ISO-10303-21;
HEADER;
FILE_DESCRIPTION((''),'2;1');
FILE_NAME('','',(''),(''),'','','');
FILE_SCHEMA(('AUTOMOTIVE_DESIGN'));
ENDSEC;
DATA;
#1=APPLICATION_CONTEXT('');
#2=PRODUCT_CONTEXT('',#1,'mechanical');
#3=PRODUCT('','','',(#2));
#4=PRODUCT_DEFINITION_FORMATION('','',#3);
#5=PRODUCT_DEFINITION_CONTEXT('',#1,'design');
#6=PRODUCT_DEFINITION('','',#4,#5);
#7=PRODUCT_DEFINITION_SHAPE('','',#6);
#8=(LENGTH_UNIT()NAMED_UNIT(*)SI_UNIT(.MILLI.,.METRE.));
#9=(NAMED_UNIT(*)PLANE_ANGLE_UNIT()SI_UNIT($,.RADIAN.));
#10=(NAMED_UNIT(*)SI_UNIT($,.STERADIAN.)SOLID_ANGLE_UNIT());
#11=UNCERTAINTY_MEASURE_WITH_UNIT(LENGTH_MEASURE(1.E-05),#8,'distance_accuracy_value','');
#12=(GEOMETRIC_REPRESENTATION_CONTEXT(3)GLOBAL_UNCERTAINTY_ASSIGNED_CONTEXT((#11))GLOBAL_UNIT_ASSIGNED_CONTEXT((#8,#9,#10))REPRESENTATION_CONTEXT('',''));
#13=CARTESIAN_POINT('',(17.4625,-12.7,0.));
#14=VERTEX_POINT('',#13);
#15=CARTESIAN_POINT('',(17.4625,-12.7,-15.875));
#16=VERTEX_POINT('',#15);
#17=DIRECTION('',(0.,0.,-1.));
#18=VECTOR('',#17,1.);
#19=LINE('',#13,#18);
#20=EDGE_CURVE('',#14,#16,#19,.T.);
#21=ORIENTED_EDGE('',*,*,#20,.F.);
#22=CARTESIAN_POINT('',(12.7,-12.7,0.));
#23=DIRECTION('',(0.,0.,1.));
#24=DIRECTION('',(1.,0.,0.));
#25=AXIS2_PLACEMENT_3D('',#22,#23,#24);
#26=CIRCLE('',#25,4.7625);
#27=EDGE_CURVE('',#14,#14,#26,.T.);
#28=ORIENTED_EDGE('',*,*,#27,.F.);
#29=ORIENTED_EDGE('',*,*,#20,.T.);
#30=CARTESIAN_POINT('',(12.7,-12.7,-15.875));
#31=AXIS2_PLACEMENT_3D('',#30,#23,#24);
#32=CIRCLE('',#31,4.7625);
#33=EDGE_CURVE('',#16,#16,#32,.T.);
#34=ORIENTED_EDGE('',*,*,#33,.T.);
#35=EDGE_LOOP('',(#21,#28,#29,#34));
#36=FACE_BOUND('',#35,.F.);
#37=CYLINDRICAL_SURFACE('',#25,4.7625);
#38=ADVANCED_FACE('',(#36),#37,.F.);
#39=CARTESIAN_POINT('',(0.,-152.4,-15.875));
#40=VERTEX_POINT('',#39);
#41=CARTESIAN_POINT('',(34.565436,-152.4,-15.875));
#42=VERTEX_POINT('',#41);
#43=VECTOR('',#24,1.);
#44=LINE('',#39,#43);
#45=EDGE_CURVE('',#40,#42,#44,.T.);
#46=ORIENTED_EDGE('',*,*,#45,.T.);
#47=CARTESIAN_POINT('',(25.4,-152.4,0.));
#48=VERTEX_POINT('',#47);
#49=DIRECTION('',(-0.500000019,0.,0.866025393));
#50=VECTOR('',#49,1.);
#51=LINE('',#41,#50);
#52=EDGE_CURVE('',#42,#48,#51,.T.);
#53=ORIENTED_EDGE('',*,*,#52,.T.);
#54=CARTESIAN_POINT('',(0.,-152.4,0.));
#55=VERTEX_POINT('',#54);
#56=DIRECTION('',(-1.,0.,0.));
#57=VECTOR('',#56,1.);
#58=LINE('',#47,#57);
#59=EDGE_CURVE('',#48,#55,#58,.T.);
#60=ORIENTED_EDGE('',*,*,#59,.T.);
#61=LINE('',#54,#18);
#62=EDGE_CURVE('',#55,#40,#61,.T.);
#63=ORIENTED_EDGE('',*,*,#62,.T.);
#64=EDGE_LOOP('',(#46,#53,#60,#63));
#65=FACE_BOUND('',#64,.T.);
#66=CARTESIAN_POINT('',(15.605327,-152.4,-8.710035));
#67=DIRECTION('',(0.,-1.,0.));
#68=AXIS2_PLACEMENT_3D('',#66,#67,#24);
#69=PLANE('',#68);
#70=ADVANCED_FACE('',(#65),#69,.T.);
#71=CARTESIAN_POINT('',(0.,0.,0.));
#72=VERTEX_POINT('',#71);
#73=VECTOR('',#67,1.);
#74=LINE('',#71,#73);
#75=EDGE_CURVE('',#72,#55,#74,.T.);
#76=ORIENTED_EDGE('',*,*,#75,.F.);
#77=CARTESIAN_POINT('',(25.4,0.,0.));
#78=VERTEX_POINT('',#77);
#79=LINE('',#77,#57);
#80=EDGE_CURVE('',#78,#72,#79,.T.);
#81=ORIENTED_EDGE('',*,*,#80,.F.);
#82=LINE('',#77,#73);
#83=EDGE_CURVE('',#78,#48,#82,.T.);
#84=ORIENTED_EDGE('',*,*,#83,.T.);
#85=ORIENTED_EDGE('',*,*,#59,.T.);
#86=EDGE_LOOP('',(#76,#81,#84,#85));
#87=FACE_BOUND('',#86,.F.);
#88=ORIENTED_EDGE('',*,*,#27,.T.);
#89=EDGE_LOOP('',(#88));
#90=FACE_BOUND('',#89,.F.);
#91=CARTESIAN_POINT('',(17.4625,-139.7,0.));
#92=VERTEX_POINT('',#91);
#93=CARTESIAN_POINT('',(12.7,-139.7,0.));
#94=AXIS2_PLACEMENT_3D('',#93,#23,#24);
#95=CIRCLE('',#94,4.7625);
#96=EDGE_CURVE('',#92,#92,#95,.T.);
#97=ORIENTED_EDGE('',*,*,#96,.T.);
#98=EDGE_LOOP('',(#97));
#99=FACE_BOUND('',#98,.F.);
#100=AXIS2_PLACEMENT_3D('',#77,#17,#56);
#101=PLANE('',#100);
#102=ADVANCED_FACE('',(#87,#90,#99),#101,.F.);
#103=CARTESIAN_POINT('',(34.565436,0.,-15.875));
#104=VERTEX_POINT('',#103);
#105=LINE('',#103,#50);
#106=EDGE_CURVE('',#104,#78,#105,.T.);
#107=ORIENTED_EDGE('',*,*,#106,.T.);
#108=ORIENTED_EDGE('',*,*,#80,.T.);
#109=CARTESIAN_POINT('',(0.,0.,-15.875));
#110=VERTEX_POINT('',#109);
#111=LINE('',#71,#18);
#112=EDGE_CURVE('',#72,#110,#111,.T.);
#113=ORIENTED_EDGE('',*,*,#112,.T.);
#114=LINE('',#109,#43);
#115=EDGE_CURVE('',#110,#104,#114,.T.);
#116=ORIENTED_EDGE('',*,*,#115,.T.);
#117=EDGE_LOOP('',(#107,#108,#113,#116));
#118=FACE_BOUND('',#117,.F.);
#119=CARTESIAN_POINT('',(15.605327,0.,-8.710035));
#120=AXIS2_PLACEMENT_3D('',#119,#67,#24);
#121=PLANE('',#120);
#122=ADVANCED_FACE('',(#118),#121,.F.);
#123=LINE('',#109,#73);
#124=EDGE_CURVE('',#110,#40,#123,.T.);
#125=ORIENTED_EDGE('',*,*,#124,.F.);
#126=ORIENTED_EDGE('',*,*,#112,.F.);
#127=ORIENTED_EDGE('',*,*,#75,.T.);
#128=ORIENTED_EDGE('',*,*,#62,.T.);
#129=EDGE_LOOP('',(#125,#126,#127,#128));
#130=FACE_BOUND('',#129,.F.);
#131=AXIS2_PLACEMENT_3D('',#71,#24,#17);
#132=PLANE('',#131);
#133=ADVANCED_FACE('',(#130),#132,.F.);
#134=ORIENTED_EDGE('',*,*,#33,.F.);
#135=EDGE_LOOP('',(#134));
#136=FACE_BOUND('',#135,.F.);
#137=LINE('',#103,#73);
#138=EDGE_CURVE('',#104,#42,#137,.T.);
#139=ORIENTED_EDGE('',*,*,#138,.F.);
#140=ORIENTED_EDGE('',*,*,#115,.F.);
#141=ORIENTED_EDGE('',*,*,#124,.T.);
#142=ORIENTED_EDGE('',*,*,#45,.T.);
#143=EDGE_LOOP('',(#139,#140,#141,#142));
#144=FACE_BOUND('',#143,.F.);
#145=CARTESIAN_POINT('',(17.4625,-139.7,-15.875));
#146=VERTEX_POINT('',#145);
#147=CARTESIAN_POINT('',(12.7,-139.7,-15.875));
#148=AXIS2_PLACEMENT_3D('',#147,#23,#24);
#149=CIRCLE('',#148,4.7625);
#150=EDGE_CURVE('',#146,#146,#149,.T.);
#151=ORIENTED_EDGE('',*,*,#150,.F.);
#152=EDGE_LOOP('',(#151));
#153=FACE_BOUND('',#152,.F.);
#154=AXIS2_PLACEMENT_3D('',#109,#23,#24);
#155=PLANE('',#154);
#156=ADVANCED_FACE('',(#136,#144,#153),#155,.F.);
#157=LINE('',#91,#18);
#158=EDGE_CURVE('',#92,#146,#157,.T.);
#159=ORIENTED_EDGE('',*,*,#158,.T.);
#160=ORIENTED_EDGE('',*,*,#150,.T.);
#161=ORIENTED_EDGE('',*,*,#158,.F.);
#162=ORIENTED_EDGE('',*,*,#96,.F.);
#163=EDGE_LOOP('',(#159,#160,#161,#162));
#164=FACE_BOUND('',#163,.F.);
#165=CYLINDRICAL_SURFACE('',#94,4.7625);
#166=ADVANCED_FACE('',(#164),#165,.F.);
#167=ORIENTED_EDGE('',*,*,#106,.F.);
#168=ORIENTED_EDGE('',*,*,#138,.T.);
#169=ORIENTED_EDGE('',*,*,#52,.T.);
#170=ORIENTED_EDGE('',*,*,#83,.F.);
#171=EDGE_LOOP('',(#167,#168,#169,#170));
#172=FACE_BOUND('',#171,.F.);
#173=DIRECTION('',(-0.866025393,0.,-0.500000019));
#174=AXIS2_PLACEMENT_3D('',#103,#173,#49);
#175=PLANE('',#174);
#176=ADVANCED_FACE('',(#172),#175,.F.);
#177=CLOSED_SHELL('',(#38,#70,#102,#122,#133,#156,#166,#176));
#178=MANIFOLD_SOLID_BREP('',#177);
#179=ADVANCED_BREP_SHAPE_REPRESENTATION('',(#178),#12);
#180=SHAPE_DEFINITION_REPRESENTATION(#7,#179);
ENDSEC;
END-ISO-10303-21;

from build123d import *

# Parameters (mm, degrees)
F1_DEPTH = 152.4
F2_R     = 4.7625
F3_DEPTH = 25.4


with BuildPart() as f1:
    # F0 (on Front) → F1 (new body)
    with BuildSketch(Plane.XZ):
        Polygon((25.4, 0), (0, 0), (0, -15.875), (34.565436, -15.875), align=None)
    extrude(amount=F1_DEPTH)

    # F2 (on face) → F3 (cut)
    with BuildSketch(Plane.XY):
        with Locations((12.7, -12.7)):
            Circle(F2_R)
        with Locations((12.7, -139.7)):
            Circle(F2_R)
    extrude(amount=-F3_DEPTH, mode=Mode.SUBTRACT)


solid = f1.part
